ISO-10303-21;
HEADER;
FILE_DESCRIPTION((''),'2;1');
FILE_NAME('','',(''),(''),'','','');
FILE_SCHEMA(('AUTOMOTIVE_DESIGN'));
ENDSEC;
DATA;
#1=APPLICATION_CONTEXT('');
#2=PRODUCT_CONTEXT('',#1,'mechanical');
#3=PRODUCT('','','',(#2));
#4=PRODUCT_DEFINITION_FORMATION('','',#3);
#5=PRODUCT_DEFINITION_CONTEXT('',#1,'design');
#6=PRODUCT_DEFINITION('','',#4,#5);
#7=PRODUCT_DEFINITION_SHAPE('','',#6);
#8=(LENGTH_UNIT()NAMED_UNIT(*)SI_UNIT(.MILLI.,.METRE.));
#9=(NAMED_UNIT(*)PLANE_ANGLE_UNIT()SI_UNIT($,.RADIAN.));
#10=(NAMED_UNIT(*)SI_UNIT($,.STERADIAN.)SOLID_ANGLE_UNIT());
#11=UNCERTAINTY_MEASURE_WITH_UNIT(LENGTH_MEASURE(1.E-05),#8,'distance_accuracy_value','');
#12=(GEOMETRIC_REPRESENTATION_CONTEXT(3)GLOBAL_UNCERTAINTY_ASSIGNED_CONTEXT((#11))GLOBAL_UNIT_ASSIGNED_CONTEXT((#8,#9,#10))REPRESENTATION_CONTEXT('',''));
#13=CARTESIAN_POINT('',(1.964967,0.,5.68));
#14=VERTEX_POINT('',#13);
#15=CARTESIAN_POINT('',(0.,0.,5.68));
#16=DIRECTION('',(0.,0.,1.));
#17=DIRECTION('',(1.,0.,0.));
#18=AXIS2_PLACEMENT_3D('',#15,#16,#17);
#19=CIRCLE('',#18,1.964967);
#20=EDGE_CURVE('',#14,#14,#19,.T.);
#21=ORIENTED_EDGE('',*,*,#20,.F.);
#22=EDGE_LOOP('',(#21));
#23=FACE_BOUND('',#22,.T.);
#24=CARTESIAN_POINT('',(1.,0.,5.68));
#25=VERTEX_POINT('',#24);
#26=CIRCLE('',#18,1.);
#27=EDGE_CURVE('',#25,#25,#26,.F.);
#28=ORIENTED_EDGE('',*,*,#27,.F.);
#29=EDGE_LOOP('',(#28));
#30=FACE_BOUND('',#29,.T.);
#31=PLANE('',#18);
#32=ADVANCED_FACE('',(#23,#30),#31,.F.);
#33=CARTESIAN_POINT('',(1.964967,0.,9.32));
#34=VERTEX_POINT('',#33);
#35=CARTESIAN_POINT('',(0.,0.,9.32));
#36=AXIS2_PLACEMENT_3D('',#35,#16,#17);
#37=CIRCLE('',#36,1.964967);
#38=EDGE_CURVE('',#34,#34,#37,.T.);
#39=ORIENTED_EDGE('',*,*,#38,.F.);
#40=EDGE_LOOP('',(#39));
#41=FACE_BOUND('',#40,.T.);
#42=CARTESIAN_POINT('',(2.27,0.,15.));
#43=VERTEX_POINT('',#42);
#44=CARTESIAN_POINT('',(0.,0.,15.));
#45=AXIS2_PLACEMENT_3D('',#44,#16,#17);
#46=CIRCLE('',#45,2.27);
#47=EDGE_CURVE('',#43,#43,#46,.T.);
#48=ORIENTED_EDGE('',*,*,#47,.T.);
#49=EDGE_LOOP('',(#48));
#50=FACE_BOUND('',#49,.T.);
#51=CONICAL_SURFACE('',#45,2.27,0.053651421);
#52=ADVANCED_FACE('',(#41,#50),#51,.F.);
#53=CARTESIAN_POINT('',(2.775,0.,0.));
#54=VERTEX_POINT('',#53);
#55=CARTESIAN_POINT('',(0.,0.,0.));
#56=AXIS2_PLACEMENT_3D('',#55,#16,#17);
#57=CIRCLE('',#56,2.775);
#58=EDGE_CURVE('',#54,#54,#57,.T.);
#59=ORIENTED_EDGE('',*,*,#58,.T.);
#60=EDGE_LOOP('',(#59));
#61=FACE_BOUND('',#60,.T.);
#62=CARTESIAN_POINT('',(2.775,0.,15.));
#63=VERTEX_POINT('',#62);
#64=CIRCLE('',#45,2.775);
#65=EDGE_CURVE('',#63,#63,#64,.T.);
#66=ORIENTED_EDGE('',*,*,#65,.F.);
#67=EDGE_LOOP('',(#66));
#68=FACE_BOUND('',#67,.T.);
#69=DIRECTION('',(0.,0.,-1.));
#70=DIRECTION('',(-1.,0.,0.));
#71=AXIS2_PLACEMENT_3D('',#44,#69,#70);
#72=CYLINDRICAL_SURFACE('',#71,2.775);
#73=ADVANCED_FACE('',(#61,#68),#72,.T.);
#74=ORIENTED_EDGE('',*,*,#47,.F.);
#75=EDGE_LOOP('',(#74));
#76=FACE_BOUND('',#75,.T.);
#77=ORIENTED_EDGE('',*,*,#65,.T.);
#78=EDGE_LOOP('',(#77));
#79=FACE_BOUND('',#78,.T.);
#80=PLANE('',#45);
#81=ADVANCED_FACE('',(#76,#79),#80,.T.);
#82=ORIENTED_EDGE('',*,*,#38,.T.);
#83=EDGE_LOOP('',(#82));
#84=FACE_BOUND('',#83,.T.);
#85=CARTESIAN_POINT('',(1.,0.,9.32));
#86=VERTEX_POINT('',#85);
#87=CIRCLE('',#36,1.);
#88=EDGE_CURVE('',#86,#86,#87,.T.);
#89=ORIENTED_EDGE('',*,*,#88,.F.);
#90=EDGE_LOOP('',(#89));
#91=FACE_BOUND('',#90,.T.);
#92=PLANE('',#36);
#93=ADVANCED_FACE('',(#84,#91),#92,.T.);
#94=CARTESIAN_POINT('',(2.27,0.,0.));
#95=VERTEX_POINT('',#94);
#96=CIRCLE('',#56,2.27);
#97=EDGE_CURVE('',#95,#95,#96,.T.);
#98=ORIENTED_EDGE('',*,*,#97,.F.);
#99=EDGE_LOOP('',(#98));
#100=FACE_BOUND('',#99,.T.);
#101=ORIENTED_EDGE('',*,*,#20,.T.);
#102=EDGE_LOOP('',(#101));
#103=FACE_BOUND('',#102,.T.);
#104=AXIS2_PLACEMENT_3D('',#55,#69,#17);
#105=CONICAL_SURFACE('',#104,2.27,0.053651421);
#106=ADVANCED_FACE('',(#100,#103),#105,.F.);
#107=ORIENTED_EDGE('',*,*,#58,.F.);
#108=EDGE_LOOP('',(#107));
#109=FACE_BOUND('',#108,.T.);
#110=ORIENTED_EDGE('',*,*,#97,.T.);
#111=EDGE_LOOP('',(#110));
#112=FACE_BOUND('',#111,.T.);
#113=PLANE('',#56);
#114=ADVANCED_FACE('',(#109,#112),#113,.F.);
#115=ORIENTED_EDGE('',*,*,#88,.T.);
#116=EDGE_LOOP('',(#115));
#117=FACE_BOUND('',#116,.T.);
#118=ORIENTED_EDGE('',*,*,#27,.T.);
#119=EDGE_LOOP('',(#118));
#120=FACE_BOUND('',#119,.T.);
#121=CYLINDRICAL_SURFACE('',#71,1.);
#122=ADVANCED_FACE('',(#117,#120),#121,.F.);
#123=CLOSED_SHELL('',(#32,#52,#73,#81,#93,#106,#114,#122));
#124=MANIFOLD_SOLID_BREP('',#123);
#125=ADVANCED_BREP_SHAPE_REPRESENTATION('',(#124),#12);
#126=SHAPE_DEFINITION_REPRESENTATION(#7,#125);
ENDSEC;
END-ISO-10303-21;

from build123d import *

# Parameters (mm, degrees)
SKETCH1_R           = 2.775
BOSS_EXTRUDE1_DEPTH = 15
SKETCH2_R           = 2.27
CUT_EXTRUDE1_DEPTH  = 5.68
CUT_EXTRUDE1_TAPER  = 3.074
SKETCH7_R           = 1
CUT_EXTRUDE2_DEPTH  = 16
SKETCH9_R           = 2.27
CUT_EXTRUDE3_DEPTH  = 5.68
CUT_EXTRUDE3_TAPER  = 3.074


with BuildPart() as part:
    # Sketch1 → Boss-Extrude1 (new body)
    with BuildSketch(Plane.XY):
        Circle(SKETCH1_R)
    extrude(amount=BOSS_EXTRUDE1_DEPTH)

    # Sketch2 → Cut-Extrude1 (cut)
    with BuildSketch(Plane.XY):
        Circle(SKETCH2_R)
    extrude(amount=CUT_EXTRUDE1_DEPTH, taper=CUT_EXTRUDE1_TAPER, mode=Mode.SUBTRACT)

    # Sketch7 → Cut-Extrude2 (cut, through all)
    with BuildSketch(Plane.XY):
        Circle(SKETCH7_R)
    extrude(amount=CUT_EXTRUDE2_DEPTH, mode=Mode.SUBTRACT)

    # Sketch9 → Cut-Extrude3 (cut)
    with BuildSketch(Plane.XY.offset(15)):
        Circle(SKETCH9_R)
    extrude(amount=-CUT_EXTRUDE3_DEPTH, taper=CUT_EXTRUDE3_TAPER, mode=Mode.SUBTRACT)


solid = part.part
